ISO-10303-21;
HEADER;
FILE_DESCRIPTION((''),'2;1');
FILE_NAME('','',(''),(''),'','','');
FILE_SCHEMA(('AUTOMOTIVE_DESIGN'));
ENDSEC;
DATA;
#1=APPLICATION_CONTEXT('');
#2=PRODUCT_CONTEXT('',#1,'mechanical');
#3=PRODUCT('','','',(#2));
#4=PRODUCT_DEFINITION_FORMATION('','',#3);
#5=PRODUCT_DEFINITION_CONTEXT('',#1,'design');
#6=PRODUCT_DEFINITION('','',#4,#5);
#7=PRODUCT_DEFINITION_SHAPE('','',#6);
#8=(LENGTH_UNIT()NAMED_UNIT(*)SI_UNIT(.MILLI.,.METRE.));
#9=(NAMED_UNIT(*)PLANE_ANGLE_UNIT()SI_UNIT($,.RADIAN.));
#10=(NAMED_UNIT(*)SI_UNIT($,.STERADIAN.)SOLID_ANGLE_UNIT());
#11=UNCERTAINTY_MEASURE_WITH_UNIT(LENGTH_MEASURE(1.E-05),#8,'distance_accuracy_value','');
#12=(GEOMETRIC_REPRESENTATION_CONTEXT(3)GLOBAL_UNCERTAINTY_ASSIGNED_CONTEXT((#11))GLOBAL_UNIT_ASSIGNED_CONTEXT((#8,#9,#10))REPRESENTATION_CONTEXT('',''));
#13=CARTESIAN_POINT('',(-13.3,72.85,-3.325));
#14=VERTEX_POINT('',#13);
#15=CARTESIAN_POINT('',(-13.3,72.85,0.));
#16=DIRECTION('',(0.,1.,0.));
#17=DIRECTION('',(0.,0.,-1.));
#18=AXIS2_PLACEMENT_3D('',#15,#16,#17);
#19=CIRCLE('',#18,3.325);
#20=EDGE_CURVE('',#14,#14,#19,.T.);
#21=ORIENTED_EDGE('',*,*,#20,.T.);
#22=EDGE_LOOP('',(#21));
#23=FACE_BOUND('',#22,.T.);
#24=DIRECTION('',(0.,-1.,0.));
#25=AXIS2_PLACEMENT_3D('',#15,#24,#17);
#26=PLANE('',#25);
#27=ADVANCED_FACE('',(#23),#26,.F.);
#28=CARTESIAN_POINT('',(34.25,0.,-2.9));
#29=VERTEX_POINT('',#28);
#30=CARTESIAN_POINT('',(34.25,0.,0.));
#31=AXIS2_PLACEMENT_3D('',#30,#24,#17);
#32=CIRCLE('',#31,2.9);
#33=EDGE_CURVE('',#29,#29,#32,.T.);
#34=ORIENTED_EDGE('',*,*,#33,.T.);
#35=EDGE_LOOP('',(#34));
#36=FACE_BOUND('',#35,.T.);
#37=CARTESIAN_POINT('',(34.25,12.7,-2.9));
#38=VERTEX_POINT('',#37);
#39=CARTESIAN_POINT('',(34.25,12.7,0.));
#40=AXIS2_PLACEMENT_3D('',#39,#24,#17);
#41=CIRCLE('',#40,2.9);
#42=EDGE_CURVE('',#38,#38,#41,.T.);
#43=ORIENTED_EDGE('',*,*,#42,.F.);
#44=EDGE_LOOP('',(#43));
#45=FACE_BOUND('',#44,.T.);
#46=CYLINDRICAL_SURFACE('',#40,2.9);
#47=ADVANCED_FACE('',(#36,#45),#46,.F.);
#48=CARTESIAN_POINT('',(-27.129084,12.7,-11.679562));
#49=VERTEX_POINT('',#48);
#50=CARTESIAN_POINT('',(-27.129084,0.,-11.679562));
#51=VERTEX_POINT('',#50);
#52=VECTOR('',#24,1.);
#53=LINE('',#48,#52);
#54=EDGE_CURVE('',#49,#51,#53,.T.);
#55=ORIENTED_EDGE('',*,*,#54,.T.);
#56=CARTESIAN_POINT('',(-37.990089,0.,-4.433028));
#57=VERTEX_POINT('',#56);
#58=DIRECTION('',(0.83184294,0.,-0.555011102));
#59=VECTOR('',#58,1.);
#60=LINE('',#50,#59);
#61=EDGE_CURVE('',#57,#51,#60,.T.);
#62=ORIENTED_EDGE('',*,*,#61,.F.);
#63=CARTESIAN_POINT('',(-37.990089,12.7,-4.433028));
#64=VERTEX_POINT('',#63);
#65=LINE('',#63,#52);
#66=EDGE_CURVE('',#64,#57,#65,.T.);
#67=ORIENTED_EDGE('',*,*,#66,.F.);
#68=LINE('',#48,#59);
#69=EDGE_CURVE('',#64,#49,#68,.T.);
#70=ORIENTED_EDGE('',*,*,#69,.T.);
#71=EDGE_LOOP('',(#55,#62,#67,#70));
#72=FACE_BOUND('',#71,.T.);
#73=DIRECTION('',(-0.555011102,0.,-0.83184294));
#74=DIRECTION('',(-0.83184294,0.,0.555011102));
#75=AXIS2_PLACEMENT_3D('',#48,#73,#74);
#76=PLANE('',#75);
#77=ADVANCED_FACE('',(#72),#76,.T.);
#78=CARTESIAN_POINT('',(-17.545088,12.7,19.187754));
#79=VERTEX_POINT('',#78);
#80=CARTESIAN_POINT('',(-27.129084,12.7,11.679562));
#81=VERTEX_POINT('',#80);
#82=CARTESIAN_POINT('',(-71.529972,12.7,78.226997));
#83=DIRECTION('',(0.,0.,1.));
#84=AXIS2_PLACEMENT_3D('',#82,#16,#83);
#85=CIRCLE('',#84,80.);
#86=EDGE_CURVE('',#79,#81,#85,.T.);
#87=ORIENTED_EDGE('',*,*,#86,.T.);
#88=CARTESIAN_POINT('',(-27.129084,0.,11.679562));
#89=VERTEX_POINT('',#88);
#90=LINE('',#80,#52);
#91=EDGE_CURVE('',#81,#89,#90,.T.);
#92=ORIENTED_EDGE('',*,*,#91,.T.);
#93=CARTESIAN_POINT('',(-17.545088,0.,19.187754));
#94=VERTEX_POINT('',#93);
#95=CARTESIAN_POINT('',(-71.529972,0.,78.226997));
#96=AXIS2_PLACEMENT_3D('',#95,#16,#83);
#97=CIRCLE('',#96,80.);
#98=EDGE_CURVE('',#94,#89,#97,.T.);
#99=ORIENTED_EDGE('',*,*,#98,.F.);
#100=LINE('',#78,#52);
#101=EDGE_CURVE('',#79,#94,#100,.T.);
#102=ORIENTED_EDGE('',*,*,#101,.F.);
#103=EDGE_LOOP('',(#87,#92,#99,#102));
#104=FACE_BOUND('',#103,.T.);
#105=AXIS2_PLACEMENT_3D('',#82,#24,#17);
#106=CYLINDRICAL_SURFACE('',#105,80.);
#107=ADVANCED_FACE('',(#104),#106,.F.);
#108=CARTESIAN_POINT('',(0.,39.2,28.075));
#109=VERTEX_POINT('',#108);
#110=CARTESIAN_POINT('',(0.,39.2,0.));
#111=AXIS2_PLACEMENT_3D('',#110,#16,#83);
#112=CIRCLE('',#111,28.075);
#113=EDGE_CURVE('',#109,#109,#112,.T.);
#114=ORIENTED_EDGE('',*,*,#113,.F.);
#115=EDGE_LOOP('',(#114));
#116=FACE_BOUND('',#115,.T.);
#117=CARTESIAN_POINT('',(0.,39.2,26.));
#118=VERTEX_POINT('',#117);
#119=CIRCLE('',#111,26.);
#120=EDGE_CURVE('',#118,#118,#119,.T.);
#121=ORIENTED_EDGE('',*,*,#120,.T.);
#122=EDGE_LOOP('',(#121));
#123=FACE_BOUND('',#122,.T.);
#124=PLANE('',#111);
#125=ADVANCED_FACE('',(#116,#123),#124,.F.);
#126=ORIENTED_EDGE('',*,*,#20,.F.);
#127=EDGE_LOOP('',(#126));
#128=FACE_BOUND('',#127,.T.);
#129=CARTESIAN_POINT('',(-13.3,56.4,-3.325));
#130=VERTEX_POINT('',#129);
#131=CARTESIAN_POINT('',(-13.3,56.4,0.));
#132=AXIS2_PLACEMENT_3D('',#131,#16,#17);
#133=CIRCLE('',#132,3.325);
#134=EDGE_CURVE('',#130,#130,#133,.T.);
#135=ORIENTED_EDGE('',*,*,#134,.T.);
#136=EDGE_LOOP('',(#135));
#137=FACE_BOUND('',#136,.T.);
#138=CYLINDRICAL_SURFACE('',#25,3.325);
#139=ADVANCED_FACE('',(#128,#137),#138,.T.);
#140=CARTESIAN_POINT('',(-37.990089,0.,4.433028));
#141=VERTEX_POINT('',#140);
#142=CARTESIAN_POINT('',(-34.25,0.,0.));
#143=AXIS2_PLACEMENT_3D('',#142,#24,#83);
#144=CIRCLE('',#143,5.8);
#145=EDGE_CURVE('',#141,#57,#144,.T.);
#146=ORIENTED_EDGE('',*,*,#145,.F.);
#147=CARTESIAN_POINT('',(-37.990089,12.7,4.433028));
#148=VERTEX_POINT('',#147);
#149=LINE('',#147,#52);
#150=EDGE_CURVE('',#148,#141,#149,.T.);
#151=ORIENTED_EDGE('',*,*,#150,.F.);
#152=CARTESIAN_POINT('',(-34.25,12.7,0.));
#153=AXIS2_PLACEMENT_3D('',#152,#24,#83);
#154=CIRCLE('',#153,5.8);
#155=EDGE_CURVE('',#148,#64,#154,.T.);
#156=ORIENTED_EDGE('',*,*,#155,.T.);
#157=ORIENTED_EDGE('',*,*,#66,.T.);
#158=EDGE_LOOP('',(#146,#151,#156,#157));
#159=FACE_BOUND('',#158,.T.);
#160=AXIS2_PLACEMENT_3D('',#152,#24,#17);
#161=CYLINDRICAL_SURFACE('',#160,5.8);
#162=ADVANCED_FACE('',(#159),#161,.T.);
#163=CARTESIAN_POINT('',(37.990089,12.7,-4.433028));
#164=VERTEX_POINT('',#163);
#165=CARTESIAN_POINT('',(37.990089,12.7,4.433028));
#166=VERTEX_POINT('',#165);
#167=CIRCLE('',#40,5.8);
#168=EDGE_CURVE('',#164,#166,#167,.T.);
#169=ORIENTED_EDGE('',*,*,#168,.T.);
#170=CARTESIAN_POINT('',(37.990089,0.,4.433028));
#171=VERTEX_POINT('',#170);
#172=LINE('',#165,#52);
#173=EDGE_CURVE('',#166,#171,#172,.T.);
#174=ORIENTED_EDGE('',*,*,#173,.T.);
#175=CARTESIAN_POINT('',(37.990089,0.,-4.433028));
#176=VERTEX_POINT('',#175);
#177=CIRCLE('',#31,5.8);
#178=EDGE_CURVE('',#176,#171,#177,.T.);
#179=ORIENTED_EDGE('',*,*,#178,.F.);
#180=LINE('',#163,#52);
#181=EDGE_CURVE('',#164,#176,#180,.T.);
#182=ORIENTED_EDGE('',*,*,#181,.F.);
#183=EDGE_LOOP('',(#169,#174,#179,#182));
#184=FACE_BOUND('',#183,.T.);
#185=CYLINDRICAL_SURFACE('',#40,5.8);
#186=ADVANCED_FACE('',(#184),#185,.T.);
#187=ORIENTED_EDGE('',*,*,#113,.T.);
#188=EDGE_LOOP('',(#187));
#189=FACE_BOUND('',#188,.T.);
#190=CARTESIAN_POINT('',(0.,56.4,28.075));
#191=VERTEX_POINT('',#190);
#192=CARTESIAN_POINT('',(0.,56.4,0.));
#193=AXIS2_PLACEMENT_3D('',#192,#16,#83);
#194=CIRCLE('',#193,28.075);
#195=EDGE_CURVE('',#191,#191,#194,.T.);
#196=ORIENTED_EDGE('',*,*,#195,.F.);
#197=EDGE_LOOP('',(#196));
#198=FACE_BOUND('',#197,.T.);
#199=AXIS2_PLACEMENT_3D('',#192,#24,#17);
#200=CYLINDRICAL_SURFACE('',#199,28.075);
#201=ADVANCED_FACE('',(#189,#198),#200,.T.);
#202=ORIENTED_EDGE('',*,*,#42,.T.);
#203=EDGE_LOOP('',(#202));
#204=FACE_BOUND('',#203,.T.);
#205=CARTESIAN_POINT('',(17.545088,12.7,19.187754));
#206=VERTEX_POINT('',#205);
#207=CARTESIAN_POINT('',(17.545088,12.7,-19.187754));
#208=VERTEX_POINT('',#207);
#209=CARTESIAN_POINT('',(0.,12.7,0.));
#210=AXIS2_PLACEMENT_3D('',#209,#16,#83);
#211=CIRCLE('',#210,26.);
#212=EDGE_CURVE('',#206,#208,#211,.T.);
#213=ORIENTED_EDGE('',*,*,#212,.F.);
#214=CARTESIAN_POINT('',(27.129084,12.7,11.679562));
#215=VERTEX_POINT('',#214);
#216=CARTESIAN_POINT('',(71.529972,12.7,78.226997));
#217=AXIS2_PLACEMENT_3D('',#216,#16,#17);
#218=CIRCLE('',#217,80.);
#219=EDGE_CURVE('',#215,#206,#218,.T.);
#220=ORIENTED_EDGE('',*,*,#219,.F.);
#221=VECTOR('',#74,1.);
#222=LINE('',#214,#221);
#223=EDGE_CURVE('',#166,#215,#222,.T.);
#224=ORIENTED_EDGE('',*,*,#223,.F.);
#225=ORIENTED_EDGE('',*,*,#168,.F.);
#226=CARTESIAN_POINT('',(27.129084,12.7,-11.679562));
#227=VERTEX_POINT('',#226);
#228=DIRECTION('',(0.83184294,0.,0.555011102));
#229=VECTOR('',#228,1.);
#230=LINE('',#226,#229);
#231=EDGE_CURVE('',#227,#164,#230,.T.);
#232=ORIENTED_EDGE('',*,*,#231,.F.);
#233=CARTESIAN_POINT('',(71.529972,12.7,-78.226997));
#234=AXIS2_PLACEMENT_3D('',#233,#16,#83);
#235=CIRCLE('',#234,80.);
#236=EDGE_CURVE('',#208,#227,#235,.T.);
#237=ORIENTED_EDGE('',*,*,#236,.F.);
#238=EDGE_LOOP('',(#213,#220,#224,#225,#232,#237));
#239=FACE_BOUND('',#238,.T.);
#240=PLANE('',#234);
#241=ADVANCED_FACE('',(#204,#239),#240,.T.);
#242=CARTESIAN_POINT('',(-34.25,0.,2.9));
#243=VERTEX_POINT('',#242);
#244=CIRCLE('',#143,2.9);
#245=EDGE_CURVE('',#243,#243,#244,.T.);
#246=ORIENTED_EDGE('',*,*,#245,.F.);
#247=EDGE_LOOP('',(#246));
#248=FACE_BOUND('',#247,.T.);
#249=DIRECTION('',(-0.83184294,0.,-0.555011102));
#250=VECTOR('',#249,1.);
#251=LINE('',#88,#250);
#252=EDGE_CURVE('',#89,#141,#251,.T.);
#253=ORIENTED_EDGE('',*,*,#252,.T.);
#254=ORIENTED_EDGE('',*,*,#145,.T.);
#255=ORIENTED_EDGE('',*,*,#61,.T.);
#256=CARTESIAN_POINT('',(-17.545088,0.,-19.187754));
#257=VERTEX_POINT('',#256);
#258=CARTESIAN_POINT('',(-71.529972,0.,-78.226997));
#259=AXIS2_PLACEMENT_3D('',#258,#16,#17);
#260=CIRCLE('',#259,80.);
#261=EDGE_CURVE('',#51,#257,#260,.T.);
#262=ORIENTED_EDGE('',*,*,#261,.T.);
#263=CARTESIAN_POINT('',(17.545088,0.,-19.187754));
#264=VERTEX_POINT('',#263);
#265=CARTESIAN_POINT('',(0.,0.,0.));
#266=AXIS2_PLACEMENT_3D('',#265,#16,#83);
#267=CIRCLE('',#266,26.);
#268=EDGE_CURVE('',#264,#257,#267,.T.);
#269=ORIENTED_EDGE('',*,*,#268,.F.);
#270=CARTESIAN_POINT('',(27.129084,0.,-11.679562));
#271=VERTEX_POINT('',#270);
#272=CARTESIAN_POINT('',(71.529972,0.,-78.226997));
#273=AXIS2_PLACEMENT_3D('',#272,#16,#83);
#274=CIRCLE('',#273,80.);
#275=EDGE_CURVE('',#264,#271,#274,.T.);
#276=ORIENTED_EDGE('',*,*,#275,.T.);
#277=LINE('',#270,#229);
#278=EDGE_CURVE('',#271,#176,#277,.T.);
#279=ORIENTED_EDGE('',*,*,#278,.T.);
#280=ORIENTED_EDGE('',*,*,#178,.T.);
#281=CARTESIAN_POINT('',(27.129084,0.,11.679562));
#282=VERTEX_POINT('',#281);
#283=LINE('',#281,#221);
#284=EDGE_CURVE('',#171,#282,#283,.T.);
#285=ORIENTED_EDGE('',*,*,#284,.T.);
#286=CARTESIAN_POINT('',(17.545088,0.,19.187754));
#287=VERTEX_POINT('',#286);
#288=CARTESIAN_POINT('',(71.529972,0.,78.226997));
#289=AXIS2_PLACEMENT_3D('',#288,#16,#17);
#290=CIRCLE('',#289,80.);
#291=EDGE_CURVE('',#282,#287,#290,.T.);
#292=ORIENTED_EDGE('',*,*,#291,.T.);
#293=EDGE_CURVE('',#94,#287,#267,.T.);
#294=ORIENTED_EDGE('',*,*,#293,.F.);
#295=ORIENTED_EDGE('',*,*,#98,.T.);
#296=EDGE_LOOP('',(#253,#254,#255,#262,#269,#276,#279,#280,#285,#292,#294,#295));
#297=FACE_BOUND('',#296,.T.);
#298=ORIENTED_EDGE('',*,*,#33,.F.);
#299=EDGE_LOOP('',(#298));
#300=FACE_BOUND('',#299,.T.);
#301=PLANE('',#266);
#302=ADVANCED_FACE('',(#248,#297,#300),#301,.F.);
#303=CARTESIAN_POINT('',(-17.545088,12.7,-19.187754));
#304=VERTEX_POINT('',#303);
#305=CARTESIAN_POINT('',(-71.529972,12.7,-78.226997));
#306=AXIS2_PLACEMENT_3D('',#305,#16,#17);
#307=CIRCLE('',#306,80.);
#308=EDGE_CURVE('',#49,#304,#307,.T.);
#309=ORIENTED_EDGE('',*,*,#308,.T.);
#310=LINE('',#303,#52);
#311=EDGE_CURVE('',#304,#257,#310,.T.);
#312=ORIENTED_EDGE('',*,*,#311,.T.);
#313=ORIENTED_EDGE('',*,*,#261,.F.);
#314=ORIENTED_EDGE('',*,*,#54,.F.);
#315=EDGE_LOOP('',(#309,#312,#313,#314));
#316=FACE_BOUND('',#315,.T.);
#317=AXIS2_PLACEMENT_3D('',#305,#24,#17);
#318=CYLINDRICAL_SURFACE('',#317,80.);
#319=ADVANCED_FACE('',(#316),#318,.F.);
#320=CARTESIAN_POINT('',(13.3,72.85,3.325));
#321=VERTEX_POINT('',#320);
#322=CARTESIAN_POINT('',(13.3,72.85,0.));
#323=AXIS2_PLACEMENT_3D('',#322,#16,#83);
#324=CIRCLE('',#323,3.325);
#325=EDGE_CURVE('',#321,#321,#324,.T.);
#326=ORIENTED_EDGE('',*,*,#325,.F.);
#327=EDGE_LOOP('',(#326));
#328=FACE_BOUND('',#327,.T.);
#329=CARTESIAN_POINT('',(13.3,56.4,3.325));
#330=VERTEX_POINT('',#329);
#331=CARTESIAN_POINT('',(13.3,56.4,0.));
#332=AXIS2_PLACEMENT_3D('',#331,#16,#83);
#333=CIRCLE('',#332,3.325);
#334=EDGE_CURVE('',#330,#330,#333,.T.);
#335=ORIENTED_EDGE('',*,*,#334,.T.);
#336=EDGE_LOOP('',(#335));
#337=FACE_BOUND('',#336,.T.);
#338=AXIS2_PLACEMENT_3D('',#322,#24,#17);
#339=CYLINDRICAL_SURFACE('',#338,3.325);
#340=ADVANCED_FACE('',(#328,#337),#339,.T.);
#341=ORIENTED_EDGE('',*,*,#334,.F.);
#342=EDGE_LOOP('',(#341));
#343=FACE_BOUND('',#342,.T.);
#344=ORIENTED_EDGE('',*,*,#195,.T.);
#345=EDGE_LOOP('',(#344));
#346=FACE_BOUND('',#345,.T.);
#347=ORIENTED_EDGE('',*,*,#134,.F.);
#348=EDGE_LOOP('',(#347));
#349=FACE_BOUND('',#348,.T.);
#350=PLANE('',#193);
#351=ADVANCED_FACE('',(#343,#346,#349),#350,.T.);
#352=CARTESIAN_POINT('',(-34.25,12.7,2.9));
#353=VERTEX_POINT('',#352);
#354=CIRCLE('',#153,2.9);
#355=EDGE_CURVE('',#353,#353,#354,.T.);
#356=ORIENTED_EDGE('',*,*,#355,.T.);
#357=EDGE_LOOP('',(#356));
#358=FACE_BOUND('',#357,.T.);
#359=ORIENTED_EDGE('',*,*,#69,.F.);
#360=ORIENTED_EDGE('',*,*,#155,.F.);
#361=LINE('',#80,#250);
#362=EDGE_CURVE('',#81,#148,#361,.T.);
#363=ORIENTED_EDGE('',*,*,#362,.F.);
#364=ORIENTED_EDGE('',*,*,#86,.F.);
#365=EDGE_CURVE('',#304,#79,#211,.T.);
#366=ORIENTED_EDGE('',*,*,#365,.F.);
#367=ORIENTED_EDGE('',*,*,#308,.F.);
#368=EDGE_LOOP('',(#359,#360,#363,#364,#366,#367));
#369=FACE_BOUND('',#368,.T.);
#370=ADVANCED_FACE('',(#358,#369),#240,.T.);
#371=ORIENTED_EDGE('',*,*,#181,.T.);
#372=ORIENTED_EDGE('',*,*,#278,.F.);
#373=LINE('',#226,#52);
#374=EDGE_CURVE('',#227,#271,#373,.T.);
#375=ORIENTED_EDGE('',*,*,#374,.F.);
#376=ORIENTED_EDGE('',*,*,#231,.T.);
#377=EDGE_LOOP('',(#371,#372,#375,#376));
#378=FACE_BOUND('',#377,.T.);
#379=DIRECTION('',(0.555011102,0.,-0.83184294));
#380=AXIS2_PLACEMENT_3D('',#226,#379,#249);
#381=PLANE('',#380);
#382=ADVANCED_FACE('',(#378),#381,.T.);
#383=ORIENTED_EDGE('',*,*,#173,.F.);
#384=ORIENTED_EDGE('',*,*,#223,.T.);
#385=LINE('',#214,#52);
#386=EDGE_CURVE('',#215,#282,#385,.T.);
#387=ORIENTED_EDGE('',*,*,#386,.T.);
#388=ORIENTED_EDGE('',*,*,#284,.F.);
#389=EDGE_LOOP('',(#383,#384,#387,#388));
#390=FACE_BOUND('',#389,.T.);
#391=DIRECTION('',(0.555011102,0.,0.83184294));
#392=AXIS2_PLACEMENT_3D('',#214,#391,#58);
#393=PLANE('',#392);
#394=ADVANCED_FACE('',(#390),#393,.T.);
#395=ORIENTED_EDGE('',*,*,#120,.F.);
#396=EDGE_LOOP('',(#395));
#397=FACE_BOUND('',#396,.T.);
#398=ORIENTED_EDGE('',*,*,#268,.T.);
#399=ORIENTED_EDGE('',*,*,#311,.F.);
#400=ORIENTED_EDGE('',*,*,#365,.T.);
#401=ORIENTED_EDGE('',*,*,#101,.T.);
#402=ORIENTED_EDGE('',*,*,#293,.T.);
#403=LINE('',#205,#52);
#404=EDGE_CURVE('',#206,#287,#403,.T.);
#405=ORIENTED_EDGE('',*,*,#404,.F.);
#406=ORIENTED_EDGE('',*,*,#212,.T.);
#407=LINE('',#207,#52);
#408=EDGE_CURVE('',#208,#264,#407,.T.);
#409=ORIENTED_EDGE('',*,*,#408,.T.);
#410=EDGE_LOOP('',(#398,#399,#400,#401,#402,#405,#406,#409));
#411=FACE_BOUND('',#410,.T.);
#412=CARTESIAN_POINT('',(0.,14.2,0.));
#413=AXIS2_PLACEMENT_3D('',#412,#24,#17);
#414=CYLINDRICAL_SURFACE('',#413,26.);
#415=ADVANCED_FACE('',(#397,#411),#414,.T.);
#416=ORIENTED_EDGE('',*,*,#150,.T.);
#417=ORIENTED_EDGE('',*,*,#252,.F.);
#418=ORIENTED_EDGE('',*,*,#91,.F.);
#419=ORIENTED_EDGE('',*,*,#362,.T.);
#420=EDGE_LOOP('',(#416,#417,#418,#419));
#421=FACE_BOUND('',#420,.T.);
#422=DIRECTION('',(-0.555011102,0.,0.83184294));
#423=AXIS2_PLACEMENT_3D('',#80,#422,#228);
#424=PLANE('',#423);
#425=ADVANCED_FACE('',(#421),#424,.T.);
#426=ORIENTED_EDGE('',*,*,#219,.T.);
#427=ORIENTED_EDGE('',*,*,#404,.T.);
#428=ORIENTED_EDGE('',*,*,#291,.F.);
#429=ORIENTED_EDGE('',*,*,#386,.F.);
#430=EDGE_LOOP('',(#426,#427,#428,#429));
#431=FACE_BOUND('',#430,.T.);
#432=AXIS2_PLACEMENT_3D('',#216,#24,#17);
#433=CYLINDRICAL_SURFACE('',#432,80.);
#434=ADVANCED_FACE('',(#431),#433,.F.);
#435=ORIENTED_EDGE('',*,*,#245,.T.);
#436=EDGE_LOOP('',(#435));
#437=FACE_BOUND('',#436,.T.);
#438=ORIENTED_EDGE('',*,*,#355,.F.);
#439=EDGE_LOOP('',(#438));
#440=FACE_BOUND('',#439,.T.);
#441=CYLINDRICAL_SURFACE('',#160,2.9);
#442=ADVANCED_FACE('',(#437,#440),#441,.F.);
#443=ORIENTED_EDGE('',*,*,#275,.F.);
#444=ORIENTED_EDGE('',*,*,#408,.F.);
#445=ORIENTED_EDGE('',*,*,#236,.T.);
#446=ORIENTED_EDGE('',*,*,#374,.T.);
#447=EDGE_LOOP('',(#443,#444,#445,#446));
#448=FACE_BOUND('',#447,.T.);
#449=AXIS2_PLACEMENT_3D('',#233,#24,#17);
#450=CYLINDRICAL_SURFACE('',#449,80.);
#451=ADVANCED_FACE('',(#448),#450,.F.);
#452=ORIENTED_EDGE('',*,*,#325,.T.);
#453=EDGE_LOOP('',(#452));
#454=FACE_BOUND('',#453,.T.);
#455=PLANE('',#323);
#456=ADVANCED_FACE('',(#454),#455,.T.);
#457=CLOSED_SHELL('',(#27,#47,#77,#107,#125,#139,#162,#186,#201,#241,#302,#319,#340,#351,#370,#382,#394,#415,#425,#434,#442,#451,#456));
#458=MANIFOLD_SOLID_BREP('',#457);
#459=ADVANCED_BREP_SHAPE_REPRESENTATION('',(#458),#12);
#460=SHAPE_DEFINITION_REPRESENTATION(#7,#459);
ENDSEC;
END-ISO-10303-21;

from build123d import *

# Parameters (mm, degrees)
SKETCH1_R           = 26
BOSS_EXTRUDE1_DEPTH = 14.2
SKETCH4_R           = 2.9
BOSS_EXTRUDE2_DEPTH = 12.7
SKETCH8_R           = 26
BOSS_EXTRUDE3_DEPTH = 25
SKETCH9_R           = 28.075
BOSS_EXTRUDE4_DEPTH = 17.2
SKETCH10_R          = 3.325
BOSS_EXTRUDE5_DEPTH = 16.45


with BuildPart() as part:
    # Sketch1 → Boss-Extrude1 (new body)
    with BuildSketch(Plane(origin=(0, 0, 0), x_dir=(1, 0, 0), z_dir=(0, 1, 0))):
        Circle(SKETCH1_R)
    extrude(amount=BOSS_EXTRUDE1_DEPTH)

    # Sketch4 → Boss-Extrude2 (add)
    with BuildSketch(Plane.XZ):
        with BuildLine():
            Line((27.12908409, -11.679561866), (37.990088974, -4.433027686))
            ThreePointArc((37.990088974, -4.433027686), (40.05, 0), (37.990088974, 4.433027686))
            Line((37.990088974, 4.433027686), (27.12908409, 11.679561866))
            ThreePointArc((27.12908409, 11.679561866), (22.194049101, 15.251075575), (17.545087541, 19.18775399))
            ThreePointArc((17.545087541, 19.18775399), (0, 26), (-17.545087541, 19.18775399))
            ThreePointArc((-17.545087541, 19.18775399), (-22.194049101, 15.251075575), (-27.12908409, 11.679561866))
            Line((-27.12908409, 11.679561866), (-37.990088974, 4.433027686))
            ThreePointArc((-37.990088974, 4.433027686), (-40.05, 0), (-37.990088974, -4.433027686))
            Line((-37.990088974, -4.433027686), (-27.12908409, -11.679561866))
            ThreePointArc((-27.12908409, -11.679561866), (-22.194049101, -15.251075575), (-17.545087541, -19.18775399))
            ThreePointArc((-17.545087541, -19.18775399), (0, -26), (17.545087541, -19.18775399))
            ThreePointArc((17.545087541, -19.18775399), (22.194049101, -15.251075575), (27.12908409, -11.679561866))
        make_face()
        with Locations((34.25, 0)):
            Circle(SKETCH4_R, mode=Mode.SUBTRACT)
        with Locations((-34.25, 0)):
            Circle(SKETCH4_R, mode=Mode.SUBTRACT)
    extrude(amount=-BOSS_EXTRUDE2_DEPTH)

    # Sketch8 → Boss-Extrude3 (add)
    with BuildSketch(Plane(origin=(0, 14.2, 0), x_dir=(1, 0, 0), z_dir=(0, 1, 0))):
        Circle(SKETCH8_R)
    extrude(amount=BOSS_EXTRUDE3_DEPTH)

    # Sketch9 → Boss-Extrude4 (add)
    with BuildSketch(Plane(origin=(0, 39.2, 0), x_dir=(1, 0, 0), z_dir=(0, 1, 0))):
        Circle(SKETCH9_R)
    extrude(amount=BOSS_EXTRUDE4_DEPTH)

    # Sketch10 → Boss-Extrude5 (add)
    with BuildSketch(Plane(origin=(0, 56.4, 0), x_dir=(1, 0, 0), z_dir=(0, 1, 0))):
        with Locations((13.3, 0)):
            Circle(SKETCH10_R)
        with Locations((-13.3, 0)):
            Circle(SKETCH10_R)
    extrude(amount=BOSS_EXTRUDE5_DEPTH)


solid = part.part
